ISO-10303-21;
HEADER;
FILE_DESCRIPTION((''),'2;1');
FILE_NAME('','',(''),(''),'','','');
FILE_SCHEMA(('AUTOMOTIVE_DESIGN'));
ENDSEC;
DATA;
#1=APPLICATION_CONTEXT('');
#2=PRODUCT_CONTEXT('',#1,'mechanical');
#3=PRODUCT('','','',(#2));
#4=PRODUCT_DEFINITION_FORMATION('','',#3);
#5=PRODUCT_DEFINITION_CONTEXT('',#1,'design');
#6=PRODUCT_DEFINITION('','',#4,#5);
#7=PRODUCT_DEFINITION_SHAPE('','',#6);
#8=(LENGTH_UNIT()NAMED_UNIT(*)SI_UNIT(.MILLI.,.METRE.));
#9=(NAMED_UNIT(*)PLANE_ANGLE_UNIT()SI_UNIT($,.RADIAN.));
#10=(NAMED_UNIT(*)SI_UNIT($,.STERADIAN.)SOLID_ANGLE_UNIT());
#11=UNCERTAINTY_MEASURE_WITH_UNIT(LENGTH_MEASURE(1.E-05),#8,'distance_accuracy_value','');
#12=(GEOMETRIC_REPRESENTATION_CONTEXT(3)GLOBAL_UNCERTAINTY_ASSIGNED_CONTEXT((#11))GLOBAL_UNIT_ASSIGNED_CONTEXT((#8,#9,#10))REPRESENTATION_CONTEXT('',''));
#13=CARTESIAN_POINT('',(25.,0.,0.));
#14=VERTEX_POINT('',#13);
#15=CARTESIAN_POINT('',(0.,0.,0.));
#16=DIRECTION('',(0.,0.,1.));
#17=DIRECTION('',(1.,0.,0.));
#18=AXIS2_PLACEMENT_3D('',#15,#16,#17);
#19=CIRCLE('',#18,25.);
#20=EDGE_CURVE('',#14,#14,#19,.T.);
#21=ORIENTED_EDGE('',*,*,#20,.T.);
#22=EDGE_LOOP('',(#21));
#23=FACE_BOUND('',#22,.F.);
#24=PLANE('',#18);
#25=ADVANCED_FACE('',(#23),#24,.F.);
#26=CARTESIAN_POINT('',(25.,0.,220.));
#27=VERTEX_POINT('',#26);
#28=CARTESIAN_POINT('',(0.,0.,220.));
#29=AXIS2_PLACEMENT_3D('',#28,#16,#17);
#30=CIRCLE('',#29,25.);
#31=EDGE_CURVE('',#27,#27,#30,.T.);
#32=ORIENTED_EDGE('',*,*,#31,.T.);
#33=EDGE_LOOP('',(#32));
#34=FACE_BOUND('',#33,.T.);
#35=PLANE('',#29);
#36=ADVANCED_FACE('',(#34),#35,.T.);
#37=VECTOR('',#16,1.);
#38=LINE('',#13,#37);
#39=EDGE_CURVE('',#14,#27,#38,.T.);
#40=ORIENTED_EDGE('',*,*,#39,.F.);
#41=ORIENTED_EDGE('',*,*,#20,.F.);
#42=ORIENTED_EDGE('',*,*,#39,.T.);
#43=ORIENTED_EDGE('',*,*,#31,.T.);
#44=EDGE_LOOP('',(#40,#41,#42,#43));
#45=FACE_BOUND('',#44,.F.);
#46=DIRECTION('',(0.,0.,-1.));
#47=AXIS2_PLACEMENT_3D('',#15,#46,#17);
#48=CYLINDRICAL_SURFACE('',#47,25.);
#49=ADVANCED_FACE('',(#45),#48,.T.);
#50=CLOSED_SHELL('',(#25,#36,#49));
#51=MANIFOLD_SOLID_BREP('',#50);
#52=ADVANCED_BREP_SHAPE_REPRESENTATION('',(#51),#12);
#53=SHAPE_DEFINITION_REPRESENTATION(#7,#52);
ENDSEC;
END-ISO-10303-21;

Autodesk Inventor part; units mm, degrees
ref_plane "YZ Plane" through (0, 0, 0) normal (1, 0, 0) x (0, 1, 0)
ref_plane "XZ Plane" through (0, 0, 0) normal (0, 1, 0) x (-1, 0, 0)
ref_plane "XY Plane" through (0, 0, 0) normal (0, 0, 1) x (1, 0, 0)
sketch "Sketch1" plane through (0, 0, 0) normal (0, 0, 1) x (1, 0, 0)
  circle A0 centre (0, 0) radius 25
  dimension "d0" = 50
extrude "Extrusion1" add sketch "Sketch1" along normal blind 220
properties part number "PIN-1"
